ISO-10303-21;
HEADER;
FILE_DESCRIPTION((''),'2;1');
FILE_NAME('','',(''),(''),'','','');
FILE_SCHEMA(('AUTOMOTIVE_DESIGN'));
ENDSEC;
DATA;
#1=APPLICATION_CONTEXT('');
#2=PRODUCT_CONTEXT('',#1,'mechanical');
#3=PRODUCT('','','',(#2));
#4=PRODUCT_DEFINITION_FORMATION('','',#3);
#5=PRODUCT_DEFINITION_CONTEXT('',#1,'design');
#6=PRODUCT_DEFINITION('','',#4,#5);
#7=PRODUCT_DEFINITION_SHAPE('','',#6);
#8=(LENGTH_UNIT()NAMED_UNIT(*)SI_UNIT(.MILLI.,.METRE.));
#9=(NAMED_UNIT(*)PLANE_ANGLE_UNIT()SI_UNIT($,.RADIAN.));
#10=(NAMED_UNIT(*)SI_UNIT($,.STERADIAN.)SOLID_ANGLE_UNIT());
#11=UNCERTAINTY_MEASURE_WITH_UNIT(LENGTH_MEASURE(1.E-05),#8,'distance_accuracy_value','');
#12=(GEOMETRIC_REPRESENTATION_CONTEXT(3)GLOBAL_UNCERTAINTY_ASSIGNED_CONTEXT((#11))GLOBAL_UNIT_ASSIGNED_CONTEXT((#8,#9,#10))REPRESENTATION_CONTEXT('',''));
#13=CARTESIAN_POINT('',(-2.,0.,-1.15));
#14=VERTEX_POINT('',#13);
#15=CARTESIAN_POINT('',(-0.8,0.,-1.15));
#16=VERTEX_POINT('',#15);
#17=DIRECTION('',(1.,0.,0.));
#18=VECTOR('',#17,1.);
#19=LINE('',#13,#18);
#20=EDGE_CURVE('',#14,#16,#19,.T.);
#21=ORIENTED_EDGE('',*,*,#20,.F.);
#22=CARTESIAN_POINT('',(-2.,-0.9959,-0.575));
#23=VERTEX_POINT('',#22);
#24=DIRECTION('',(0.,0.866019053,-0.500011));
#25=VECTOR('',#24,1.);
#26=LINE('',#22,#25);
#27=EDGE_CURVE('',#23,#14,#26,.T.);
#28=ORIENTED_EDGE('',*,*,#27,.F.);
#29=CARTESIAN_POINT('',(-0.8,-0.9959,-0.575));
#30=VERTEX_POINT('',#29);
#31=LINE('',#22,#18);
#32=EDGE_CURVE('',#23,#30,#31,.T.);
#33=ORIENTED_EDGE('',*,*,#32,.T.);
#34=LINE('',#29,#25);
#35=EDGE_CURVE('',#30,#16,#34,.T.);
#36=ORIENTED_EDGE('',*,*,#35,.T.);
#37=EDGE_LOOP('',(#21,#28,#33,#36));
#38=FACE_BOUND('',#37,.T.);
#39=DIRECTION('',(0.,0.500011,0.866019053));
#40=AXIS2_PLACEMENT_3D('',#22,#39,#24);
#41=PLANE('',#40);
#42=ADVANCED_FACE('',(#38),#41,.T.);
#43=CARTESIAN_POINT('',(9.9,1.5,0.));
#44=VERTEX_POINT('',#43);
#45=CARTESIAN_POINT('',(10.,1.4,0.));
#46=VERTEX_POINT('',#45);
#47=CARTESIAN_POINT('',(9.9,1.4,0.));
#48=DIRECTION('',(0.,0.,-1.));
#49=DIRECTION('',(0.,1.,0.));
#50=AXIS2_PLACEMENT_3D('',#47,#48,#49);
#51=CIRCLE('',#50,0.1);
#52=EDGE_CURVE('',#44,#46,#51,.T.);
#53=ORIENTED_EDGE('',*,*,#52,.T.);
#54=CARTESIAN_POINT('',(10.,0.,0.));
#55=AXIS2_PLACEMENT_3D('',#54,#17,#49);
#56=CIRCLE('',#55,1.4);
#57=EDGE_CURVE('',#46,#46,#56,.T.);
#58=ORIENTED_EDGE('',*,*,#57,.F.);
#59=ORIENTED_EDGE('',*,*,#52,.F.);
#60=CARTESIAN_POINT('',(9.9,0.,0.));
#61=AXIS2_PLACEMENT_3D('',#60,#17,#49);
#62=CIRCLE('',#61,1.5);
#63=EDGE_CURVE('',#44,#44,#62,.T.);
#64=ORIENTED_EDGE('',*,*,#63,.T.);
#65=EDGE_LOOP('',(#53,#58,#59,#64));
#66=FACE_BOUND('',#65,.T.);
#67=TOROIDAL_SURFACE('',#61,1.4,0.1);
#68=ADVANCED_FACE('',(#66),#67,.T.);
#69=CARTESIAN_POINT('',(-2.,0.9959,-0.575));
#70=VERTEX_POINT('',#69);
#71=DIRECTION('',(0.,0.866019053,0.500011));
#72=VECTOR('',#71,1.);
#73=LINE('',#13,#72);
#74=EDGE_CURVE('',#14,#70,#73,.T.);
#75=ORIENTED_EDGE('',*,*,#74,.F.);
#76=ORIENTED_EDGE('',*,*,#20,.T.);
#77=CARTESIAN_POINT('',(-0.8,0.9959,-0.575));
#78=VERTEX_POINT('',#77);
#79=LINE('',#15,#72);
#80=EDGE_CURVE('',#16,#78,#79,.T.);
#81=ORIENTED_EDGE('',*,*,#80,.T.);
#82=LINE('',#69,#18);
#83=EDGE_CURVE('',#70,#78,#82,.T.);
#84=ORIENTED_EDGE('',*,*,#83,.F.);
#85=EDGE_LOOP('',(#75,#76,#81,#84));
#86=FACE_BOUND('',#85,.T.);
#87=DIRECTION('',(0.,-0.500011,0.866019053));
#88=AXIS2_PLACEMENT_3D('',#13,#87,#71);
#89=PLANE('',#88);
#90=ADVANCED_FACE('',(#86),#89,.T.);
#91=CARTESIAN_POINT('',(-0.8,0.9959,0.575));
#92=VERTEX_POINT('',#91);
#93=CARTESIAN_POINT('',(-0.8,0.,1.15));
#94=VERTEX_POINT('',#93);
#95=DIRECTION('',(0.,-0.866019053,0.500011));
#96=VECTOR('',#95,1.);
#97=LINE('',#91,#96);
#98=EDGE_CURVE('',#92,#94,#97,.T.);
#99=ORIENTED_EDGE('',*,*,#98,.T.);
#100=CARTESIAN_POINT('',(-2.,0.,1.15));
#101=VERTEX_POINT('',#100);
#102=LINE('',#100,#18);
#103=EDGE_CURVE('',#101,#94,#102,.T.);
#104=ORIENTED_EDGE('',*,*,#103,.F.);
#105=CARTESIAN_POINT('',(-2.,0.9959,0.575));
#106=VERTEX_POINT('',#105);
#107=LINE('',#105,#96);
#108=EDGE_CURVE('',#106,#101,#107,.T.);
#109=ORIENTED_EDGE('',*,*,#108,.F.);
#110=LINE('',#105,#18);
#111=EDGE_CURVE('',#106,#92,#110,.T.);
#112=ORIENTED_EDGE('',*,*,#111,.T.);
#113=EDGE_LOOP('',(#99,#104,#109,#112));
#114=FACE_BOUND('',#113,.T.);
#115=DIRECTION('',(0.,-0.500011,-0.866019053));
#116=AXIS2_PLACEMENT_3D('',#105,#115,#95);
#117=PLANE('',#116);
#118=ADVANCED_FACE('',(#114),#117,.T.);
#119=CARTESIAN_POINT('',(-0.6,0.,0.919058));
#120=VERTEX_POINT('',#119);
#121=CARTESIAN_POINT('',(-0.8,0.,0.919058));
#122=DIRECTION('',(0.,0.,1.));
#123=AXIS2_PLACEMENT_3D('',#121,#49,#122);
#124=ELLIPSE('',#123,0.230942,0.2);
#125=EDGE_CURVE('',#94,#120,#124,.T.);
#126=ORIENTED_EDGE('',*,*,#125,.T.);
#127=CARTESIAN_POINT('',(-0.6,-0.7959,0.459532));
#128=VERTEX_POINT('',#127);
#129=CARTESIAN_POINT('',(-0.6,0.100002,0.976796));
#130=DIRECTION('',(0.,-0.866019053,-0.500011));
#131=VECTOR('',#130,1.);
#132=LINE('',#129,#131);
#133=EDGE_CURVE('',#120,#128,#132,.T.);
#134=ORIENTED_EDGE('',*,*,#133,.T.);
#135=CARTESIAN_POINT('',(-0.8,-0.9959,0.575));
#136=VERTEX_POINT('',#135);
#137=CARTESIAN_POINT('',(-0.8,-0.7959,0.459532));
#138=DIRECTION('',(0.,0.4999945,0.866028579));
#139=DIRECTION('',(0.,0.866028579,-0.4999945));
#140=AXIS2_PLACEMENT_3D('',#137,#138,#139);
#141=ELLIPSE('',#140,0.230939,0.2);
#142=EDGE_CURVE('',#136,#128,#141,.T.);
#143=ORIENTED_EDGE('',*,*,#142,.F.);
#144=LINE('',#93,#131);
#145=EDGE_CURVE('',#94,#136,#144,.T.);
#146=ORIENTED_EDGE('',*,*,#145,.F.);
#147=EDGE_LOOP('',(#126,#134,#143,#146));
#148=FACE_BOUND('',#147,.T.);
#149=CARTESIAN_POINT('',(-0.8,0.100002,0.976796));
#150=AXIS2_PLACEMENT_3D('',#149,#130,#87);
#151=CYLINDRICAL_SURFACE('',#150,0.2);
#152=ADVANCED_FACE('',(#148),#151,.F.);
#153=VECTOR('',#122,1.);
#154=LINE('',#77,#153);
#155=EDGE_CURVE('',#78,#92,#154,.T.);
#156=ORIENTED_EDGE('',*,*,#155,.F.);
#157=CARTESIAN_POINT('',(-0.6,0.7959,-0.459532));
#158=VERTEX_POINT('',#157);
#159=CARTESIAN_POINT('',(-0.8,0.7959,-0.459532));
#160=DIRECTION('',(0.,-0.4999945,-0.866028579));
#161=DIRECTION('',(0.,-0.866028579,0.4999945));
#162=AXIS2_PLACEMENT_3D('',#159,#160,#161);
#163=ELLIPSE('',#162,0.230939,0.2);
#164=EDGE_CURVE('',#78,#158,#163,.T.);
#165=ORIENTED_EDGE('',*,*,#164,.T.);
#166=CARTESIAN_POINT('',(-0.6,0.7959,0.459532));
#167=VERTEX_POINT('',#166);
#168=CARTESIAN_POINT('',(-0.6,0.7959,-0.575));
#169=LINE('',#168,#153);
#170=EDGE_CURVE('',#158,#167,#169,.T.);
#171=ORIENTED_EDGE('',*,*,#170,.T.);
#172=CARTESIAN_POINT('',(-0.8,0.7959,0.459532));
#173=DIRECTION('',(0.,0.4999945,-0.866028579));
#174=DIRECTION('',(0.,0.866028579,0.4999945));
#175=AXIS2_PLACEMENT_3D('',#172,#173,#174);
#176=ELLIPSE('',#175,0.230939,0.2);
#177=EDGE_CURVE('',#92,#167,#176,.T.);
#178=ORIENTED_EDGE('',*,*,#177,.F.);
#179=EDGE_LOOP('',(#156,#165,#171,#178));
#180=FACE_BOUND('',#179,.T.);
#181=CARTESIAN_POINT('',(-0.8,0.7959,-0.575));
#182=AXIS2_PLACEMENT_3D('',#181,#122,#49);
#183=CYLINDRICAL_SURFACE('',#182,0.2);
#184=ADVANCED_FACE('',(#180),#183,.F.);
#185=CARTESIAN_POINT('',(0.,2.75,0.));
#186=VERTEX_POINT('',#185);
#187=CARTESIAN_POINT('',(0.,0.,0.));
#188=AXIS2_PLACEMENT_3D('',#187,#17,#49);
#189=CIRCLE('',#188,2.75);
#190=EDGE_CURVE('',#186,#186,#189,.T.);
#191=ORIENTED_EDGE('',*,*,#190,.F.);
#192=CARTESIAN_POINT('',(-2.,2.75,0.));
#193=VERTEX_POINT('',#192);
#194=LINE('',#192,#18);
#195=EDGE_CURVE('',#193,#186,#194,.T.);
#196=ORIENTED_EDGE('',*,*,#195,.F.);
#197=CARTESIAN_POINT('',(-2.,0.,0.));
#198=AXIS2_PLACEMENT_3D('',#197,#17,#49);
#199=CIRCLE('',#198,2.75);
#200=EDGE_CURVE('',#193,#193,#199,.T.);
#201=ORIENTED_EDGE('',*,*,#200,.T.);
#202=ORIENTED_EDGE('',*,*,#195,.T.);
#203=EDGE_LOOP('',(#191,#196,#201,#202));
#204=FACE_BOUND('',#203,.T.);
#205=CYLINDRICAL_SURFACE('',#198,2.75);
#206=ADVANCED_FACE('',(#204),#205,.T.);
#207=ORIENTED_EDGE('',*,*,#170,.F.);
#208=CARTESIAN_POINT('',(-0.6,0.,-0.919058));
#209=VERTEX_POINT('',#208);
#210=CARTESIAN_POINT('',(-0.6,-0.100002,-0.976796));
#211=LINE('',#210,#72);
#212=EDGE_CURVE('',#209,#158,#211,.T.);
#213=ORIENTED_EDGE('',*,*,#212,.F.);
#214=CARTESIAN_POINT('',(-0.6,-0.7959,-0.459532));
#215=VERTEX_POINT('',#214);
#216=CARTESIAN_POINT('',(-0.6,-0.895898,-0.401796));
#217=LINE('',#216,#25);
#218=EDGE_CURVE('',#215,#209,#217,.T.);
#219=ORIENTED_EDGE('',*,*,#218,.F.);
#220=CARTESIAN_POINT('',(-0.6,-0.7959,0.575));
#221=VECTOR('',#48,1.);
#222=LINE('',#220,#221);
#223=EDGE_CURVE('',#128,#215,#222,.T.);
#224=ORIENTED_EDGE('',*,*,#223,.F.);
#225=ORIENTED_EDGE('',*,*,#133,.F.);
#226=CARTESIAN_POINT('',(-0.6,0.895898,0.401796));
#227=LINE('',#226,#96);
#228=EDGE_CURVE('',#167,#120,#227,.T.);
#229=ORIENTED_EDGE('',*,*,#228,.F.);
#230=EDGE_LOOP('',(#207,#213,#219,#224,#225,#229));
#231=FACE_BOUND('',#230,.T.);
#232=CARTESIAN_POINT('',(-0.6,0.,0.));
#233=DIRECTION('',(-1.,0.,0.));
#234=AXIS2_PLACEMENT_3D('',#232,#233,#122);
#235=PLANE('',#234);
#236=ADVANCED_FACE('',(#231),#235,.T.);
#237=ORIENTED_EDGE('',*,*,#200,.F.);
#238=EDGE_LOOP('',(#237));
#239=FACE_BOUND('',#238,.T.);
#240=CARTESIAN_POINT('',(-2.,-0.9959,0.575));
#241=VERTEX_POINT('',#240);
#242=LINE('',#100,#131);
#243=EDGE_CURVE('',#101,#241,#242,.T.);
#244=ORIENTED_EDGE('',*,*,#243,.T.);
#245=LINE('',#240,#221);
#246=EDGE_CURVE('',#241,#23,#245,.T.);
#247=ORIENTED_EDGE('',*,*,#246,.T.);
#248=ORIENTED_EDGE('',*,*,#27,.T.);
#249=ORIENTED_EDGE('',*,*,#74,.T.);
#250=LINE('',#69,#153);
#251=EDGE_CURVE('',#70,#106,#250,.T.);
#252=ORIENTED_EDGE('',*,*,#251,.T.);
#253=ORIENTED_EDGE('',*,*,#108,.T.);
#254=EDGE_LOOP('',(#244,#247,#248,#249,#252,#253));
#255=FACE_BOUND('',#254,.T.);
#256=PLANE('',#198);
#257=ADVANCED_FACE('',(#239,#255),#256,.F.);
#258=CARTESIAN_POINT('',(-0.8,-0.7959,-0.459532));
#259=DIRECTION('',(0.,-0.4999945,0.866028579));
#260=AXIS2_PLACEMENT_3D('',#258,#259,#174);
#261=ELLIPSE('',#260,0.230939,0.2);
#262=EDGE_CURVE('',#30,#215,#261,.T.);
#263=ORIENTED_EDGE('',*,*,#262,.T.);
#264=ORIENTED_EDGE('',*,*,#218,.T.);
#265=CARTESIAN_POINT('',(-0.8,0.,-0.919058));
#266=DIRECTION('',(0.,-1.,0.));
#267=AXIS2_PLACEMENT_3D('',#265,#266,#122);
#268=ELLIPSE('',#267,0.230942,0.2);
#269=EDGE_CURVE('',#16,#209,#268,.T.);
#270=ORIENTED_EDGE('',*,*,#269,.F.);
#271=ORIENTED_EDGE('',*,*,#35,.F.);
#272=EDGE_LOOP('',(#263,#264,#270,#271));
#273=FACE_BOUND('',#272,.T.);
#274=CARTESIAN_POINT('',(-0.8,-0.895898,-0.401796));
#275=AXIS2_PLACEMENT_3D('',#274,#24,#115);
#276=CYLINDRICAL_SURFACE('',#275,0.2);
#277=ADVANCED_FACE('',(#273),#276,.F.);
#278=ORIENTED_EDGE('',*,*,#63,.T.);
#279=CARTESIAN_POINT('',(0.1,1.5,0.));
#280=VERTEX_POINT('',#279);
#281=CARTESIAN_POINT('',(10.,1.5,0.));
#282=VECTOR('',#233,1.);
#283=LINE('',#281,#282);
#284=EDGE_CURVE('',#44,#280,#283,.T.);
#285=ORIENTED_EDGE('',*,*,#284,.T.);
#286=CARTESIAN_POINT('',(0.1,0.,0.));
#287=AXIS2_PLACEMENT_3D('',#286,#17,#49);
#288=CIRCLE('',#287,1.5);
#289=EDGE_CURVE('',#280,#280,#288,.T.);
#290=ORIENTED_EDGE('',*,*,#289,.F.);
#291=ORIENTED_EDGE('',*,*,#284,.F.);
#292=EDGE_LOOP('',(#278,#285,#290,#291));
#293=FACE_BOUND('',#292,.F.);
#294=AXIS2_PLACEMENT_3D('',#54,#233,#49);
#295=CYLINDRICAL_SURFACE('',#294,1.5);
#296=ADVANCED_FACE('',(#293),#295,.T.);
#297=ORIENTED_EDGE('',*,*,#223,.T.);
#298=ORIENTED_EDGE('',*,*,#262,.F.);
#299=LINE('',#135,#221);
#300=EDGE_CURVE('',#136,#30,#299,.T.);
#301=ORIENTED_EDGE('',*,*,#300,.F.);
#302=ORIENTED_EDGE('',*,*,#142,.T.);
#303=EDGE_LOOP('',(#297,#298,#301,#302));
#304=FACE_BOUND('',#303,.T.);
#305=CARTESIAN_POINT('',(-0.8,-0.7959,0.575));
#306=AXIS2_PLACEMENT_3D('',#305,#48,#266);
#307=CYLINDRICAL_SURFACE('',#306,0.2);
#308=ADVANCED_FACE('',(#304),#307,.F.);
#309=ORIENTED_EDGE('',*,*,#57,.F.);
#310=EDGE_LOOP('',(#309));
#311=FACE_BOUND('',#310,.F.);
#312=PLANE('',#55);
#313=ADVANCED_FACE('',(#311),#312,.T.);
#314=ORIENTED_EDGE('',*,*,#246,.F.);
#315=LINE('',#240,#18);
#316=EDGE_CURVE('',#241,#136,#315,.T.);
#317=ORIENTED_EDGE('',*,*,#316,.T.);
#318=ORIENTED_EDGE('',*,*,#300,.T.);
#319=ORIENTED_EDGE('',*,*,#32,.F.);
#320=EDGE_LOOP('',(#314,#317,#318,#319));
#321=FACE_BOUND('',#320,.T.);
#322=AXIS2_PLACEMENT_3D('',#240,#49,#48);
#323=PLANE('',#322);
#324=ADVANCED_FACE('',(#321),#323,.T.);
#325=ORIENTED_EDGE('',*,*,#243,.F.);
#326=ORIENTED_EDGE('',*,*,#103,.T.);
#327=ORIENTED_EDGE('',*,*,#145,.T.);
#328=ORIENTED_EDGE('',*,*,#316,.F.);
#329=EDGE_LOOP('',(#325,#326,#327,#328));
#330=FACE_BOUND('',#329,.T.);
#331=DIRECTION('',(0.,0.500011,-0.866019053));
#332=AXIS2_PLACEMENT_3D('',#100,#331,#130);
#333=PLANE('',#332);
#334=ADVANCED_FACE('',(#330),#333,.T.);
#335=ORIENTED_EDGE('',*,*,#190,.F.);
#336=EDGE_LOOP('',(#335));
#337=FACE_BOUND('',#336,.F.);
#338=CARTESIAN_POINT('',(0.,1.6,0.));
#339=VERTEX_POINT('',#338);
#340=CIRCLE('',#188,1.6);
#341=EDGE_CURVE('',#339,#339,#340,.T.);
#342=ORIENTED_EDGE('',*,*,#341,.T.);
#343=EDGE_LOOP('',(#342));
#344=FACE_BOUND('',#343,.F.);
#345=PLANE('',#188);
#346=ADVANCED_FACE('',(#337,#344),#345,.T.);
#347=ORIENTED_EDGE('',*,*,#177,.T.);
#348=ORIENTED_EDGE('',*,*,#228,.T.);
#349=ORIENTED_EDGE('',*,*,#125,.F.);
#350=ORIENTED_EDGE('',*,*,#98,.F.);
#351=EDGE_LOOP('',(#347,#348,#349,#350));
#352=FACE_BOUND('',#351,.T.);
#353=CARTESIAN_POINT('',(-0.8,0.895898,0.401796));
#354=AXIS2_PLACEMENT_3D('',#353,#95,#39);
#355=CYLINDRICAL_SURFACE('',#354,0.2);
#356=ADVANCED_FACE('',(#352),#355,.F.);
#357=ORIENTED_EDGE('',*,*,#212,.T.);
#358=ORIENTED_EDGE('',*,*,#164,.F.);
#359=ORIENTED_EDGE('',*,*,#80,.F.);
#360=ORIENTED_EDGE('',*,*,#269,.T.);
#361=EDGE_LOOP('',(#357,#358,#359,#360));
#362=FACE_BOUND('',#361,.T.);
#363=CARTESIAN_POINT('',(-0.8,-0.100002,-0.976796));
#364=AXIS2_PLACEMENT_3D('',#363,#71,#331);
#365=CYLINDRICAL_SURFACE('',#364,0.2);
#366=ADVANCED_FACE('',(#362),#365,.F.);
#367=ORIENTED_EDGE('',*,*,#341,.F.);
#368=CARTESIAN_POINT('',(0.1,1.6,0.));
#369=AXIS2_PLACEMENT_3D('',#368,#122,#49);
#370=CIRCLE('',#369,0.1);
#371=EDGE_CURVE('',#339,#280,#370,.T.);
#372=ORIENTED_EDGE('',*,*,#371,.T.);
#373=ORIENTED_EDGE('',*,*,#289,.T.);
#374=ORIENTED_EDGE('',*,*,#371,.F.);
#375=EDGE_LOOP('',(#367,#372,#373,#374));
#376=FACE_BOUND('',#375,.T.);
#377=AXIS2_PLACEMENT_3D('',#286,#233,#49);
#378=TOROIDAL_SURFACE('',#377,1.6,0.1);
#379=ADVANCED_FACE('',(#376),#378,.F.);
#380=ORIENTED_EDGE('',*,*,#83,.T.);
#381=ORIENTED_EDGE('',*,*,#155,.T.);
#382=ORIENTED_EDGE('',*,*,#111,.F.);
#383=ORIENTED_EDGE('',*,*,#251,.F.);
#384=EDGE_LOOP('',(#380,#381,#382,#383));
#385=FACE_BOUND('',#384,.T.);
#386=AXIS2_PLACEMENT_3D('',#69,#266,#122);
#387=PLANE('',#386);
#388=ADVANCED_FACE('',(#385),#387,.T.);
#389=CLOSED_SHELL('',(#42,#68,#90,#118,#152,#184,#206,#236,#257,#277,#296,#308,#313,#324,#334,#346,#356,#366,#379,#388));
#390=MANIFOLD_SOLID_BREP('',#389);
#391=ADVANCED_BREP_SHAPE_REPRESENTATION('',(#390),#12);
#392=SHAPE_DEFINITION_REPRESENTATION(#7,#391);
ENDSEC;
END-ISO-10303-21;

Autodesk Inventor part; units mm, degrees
ref_plane "YZ Plane" through (0, 0, 0) normal (1, 0, 0) x (0, 1, 0)
ref_plane "XZ Plane" through (0, 0, 0) normal (0, 1, 0) x (-1, 0, 0)
ref_plane "XY Plane" through (0, 0, 0) normal (0, 0, 1) x (1, 0, 0)
sketch "スケッチ1" plane through (0, 0, 0) normal (0, 0, 1) x (1, 0, 0)
  line L0 (0, 0) -> (10, 0)
  line L1 (10, 0) -> (10, 1.5)
  line L2 (10, 1.5) -> (0, 1.5)
  line L3 (0, 1.5) -> (0, 0)
  line L4 (0, 0) -> (0, 2.75)
  line L5 (0, 0) -> (-2, 0)
  line L6 (-2, 0) -> (0, 0)
  line L7 (-2, 0) -> (-2, 1.15)
  line L8 (0, 0) -> (-2, 0)
  line L9 (-2, 0) -> (-2, 2.75)
  line L10 (-2, 2.75) -> (0, 2.75)
  line L11 (0, 2.75) -> (0, 0)
  dimension "d0" = 1.5
  dimension "d1" = 10
  dimension "d3" = 2
  dimension "d4" = 2.75
  dimension "d5" = 1.15
revolve "回転1" add sketch "スケッチ1" angle 360 about axis through (-2, 0, 0) along (1, 0, 0)
thread "ねじ1" size "M3x0.5" class "6g" standard "ANSI Metric M Profile" length 100
sketch "スケッチ2" plane through (-2, 0, 0) normal (-1, 0, 0) x (0, 0, 1)
  circle A0 centre (0, 0) radius 1.15 projected
  line L0 (-0.575, 0.9959) -> (0.575, 0.9959)
  line L1 (0.575, 0.9959) -> (1.15, 0)
  line L2 (1.15, 0) -> (0.575, -0.9959)
  line L3 (0.575, -0.9959) -> (-0.575, -0.9959)
  line L4 (-0.575, -0.9959) -> (-1.15, 0)
  line L5 (-1.15, 0) -> (-0.575, 0.9959)
  dimension "d10" = 1.15
  dimension "d11" = 1.9919
extrude "押し出し1" cut sketch "スケッチ2" against normal blind 1.4 contours L2 L3 L4 L5 L0 L1
fillet "フィレット1" radius 0.2 6 edges at (-0.6, 0.9959, 0) (-0.6, 0.498, 0.8625) (-0.6, 0.498, -0.8625) (-0.6, -0.498, -0.8625) (-0.6, -0.9959, 0) (-0.6, -0.498, 0.8625)
fillet "フィレット2" radius 0.1 1 edges at (0, -1.5, 0)
fillet "フィレット3" radius 0.1 1 edges at (10, -1.5, 0)
properties part number "ネジキャップM3L10" material "鋼"
